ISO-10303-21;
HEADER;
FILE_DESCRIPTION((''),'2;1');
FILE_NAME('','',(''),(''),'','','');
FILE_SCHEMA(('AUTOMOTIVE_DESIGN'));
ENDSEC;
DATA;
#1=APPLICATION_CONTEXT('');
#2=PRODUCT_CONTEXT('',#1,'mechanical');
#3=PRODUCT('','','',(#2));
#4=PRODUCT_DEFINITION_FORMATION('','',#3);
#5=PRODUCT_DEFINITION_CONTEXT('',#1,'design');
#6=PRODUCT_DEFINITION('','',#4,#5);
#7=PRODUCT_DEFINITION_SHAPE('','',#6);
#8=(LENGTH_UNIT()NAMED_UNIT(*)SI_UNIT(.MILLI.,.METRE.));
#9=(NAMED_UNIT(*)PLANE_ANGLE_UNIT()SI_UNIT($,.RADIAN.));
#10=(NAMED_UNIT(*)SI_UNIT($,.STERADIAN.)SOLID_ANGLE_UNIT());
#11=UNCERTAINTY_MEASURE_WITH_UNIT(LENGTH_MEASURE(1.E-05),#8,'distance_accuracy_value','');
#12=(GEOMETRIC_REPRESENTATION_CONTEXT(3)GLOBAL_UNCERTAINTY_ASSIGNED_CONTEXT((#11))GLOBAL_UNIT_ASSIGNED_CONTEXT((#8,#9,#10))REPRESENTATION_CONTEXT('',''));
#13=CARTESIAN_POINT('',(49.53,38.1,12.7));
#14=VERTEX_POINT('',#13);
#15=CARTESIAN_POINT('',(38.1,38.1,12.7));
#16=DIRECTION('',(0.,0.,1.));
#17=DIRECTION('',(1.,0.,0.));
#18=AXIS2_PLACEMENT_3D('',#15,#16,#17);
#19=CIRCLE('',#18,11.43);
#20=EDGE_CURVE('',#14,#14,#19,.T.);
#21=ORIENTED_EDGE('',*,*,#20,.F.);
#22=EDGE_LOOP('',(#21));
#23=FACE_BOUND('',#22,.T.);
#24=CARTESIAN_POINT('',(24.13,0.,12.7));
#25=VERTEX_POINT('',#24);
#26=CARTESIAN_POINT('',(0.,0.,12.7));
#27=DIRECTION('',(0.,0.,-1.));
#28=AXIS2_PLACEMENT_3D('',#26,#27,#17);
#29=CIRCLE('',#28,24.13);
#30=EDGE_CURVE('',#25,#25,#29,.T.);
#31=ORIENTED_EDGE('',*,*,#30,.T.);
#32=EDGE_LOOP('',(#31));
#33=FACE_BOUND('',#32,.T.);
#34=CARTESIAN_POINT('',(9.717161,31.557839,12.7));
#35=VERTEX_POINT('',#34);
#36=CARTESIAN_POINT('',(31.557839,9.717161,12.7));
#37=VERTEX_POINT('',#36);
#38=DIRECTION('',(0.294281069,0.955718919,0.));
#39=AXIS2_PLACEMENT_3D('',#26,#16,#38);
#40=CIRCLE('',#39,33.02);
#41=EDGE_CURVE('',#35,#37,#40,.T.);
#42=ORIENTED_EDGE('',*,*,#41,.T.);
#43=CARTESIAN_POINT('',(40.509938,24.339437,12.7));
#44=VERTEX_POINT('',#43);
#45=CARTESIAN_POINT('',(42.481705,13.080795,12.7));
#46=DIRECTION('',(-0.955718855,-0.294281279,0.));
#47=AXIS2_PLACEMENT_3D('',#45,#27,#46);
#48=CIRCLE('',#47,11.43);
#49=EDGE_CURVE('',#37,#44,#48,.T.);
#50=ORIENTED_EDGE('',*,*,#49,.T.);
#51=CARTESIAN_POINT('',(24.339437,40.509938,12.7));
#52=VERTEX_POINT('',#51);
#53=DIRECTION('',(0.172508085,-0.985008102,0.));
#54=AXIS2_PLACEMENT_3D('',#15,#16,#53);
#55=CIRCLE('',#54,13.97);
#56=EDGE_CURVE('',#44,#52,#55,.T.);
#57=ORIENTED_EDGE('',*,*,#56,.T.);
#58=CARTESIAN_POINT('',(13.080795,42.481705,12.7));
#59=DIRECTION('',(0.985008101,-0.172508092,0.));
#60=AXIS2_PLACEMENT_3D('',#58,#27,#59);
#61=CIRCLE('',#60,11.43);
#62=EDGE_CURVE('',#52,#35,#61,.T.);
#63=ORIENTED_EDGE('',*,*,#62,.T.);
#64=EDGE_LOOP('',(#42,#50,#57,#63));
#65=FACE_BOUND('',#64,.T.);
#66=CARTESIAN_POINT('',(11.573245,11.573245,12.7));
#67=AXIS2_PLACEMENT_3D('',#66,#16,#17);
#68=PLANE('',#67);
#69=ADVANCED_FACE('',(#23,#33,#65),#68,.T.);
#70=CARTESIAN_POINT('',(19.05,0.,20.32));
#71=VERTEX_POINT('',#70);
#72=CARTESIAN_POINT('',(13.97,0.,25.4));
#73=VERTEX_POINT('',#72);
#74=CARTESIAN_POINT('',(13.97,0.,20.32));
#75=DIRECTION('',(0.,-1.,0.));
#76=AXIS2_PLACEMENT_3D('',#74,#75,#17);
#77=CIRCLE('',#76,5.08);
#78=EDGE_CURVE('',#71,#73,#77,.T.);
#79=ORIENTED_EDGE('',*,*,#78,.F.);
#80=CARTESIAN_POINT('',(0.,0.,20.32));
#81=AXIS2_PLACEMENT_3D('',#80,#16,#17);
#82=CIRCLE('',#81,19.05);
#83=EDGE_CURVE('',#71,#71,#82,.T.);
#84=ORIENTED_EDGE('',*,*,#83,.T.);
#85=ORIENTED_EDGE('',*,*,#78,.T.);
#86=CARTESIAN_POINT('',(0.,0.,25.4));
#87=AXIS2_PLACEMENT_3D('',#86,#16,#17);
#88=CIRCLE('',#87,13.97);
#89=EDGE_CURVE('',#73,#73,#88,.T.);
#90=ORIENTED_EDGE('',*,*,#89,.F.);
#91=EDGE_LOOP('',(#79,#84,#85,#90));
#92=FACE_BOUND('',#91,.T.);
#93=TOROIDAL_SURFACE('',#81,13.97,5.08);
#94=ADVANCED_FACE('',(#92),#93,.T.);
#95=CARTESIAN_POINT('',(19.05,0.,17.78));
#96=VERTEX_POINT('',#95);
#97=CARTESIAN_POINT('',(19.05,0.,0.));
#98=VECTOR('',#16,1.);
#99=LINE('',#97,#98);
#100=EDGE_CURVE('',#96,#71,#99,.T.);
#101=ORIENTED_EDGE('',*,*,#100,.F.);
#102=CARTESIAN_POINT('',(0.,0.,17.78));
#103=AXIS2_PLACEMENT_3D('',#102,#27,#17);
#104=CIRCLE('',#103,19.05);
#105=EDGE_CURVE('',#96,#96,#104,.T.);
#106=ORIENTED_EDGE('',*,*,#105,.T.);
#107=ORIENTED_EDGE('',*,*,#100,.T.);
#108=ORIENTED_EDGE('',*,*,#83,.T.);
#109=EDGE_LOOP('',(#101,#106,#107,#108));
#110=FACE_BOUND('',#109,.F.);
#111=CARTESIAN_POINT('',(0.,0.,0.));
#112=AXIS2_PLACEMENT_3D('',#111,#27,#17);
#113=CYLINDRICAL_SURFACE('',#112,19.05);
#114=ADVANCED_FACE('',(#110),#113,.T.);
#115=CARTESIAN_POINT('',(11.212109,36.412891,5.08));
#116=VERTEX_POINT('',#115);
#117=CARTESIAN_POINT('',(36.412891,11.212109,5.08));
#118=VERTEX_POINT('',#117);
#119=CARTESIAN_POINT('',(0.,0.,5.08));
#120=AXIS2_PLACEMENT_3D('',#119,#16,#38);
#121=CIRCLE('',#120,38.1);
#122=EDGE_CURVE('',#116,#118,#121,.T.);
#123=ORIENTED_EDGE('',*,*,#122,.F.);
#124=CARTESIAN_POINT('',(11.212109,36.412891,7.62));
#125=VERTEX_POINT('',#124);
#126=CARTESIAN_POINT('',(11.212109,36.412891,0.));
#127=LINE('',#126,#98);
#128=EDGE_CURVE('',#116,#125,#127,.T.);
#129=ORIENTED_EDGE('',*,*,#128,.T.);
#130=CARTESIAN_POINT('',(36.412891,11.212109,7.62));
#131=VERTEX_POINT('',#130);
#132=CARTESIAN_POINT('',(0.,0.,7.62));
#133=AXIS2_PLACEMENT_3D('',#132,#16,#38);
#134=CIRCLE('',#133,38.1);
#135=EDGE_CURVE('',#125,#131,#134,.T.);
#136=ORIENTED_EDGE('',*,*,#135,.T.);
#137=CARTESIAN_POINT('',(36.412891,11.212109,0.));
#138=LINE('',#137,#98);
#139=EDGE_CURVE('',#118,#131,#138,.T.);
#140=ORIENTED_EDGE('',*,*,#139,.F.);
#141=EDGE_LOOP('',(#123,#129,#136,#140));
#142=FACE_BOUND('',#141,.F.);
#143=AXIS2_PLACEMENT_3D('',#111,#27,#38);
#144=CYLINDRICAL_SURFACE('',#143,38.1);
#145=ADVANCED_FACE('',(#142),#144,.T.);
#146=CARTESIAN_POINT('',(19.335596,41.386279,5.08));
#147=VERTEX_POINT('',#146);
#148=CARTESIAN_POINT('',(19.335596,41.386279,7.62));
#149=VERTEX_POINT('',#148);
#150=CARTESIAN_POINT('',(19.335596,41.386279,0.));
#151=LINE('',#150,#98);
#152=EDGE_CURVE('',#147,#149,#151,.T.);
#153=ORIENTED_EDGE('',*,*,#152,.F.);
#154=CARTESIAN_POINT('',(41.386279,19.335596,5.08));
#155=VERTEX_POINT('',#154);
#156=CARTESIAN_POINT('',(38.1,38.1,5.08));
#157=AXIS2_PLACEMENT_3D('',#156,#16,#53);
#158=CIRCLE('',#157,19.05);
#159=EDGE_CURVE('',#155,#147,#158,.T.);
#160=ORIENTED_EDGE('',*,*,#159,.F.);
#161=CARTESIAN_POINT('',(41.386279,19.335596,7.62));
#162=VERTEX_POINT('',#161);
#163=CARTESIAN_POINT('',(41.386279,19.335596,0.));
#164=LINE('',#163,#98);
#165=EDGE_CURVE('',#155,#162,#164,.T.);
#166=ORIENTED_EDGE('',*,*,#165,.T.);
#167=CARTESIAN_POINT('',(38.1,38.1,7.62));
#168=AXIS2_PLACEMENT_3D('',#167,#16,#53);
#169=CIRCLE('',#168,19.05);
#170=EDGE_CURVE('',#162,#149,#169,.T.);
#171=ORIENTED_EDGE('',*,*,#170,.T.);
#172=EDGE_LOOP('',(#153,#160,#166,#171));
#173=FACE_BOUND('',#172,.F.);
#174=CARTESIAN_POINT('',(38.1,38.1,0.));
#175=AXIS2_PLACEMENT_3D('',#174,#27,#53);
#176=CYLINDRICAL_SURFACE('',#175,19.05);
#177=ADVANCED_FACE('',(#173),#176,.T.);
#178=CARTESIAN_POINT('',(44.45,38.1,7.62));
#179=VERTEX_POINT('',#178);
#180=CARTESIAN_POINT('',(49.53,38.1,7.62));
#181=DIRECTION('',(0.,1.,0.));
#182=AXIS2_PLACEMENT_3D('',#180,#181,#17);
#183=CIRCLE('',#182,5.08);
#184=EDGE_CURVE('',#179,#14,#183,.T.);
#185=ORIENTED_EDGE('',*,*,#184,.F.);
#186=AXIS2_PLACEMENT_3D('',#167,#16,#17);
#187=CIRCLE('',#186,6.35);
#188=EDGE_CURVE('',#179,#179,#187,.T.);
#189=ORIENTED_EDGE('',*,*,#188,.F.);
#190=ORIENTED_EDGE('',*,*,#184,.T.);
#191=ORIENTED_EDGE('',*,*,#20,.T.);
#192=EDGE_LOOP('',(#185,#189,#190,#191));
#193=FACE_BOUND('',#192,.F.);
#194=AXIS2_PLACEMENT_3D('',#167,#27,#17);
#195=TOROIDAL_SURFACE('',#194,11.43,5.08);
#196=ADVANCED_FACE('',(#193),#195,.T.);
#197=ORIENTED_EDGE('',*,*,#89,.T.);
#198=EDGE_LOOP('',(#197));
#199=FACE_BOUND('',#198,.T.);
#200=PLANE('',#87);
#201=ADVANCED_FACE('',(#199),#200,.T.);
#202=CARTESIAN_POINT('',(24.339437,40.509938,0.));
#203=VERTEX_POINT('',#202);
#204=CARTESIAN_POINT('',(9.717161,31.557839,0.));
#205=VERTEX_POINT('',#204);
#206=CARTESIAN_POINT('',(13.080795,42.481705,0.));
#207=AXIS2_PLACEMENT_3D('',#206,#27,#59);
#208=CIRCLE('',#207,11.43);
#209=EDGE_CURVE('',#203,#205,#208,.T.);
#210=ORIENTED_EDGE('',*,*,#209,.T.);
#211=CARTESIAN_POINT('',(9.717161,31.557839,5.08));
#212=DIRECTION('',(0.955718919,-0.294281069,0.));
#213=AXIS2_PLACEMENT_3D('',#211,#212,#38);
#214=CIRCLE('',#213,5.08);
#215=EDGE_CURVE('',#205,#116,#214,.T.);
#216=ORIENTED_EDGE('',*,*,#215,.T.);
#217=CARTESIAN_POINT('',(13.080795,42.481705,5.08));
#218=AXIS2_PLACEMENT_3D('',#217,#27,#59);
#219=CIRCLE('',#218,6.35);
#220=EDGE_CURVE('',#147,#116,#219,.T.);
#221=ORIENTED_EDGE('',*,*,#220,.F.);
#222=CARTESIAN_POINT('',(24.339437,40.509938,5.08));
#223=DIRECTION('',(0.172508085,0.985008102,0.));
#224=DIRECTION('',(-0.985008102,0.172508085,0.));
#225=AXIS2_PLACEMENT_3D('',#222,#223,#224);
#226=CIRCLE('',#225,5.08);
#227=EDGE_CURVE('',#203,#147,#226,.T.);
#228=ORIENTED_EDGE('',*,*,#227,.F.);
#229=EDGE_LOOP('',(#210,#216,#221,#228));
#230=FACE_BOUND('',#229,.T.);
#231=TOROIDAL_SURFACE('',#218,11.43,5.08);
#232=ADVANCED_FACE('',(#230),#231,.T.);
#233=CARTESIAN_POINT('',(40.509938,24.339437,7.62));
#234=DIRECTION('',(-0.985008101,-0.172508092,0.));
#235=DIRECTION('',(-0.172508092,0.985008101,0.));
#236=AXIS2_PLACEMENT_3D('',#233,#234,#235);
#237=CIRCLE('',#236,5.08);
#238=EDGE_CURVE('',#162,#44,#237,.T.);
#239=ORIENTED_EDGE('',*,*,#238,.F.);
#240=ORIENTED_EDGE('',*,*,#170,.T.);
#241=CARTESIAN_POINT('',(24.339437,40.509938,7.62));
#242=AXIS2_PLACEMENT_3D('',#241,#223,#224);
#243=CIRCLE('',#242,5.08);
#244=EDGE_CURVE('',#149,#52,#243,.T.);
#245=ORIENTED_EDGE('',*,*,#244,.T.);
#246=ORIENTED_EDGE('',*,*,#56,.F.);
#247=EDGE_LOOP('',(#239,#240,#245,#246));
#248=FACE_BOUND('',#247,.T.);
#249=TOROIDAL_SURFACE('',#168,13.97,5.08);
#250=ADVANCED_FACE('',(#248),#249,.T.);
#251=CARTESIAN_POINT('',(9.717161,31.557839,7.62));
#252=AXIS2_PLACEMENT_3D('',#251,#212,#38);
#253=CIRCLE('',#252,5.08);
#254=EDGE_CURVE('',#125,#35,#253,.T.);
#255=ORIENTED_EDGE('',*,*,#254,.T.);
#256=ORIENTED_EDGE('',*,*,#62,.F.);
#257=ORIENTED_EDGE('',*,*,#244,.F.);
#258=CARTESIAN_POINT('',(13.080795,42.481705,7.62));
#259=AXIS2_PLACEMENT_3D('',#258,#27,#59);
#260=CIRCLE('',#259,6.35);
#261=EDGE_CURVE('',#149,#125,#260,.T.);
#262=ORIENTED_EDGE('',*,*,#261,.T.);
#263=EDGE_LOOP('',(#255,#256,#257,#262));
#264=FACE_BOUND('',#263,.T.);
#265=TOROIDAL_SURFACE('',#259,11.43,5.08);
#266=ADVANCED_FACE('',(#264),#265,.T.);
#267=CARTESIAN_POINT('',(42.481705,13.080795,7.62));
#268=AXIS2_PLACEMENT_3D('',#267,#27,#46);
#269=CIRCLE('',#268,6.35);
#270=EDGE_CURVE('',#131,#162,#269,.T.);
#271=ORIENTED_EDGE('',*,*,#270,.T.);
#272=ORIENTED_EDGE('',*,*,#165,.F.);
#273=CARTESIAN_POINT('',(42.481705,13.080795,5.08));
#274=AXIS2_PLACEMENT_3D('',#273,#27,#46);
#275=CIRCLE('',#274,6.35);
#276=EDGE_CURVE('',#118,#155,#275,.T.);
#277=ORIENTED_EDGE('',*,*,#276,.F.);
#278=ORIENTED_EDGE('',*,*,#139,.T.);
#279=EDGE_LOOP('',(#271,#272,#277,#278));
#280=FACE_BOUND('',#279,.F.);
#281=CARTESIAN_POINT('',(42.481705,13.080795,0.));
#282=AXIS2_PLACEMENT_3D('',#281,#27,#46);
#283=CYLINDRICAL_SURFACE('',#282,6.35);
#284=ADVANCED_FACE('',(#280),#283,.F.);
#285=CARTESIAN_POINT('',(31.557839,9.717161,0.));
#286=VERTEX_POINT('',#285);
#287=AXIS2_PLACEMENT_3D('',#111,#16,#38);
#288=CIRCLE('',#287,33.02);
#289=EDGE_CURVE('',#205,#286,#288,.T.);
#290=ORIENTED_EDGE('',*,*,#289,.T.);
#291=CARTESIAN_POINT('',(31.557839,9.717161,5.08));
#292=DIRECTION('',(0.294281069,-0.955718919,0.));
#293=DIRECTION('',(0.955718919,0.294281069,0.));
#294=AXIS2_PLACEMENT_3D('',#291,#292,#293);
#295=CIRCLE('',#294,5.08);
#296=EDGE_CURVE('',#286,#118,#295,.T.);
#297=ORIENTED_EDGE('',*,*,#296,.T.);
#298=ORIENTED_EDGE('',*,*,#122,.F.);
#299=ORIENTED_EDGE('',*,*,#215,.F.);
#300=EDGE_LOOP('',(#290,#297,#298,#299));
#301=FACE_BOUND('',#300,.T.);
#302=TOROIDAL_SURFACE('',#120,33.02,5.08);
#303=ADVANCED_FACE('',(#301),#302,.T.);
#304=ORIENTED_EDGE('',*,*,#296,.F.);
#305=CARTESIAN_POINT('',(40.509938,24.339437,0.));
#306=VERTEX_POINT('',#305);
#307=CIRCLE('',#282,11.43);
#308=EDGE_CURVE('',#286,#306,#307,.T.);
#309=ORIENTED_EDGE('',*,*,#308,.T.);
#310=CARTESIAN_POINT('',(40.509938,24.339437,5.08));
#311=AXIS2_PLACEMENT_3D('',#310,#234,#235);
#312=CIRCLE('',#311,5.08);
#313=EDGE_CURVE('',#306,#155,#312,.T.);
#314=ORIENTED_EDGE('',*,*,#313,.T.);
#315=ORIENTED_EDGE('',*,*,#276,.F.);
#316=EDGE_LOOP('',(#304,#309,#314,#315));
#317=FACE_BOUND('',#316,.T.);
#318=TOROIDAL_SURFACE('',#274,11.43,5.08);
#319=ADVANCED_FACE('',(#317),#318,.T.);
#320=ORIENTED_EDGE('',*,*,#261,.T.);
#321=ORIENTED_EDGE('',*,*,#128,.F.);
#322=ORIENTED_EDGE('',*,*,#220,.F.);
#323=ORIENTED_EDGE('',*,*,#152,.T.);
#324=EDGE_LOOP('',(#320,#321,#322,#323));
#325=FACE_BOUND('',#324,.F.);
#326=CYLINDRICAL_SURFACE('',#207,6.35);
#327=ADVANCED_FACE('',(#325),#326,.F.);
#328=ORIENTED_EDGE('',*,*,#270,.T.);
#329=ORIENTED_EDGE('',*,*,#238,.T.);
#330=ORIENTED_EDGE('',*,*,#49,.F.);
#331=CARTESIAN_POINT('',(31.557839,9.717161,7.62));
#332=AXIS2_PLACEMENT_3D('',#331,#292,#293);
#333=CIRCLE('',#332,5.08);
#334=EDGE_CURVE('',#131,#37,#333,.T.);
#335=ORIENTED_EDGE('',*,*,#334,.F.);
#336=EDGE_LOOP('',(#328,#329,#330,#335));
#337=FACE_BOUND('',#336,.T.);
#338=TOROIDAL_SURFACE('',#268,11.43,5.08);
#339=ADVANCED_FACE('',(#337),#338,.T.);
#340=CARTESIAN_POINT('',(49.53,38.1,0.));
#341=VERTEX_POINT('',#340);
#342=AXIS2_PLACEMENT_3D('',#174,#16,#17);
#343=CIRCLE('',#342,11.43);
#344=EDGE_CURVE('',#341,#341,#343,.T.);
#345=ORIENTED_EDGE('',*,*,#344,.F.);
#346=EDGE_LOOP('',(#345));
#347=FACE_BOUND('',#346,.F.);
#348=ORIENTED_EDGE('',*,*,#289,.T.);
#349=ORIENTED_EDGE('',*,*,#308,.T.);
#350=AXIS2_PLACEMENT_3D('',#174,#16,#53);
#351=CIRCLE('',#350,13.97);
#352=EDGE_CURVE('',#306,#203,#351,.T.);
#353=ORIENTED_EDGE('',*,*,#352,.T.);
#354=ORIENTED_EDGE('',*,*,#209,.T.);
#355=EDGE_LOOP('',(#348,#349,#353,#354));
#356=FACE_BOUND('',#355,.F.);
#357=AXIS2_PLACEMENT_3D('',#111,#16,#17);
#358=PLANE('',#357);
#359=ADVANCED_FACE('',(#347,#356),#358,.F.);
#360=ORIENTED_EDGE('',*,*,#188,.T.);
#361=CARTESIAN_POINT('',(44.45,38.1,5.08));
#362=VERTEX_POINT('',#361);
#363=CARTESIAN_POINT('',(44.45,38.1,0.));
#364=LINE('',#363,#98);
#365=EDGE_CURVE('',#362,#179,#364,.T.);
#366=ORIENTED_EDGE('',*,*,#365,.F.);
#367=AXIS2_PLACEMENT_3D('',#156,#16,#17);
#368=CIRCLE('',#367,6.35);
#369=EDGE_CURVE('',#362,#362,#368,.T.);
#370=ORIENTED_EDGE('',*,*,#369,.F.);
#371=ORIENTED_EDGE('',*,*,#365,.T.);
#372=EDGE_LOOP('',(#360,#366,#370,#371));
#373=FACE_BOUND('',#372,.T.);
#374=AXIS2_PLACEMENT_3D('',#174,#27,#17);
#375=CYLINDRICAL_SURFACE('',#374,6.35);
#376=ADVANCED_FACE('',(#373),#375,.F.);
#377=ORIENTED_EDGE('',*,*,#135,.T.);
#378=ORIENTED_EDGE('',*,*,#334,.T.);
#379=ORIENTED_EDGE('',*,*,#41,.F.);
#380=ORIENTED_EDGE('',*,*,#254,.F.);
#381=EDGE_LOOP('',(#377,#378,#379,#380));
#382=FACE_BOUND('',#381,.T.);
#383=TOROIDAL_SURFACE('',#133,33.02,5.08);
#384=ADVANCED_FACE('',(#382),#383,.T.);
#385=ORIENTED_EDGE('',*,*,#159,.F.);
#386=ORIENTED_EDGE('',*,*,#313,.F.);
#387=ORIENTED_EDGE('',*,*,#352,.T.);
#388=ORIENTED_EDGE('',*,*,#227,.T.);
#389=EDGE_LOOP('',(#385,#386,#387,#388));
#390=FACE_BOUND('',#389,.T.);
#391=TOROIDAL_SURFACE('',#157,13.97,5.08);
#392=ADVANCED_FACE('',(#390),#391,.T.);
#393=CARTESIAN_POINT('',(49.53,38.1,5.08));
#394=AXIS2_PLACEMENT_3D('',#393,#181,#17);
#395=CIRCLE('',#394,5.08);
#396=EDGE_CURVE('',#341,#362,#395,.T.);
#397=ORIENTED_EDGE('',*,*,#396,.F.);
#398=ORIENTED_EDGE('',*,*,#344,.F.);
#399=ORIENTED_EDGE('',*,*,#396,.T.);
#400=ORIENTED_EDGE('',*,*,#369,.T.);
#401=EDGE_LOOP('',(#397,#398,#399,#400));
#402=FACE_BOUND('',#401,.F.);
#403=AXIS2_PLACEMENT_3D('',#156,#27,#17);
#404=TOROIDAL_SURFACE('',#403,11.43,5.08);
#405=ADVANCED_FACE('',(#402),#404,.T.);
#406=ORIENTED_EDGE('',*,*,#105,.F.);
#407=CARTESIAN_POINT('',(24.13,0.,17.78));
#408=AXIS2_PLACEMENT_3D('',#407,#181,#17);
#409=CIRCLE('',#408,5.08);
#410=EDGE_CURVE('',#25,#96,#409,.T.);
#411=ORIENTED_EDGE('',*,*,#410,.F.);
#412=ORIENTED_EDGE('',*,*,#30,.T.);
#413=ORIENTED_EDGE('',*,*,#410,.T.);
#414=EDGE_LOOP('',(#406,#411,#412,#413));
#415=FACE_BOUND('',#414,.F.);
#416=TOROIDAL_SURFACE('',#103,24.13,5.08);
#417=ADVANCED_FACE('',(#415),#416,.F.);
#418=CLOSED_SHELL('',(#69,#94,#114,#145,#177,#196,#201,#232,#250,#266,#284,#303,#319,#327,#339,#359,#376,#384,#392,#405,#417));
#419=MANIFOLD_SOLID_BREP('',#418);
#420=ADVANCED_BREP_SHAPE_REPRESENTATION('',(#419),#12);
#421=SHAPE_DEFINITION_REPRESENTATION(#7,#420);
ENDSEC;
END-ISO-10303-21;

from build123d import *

# Parameters (mm, degrees)
F0_R     = 6.35
F2_DEPTH = 12.7
F1_R     = 19.05
F3_DEPTH = 25.4
F4_R     = 5.08


with BuildPart() as f2:
    # F0 (on Top) → F2 (new body)
    with BuildSketch(Plane.XY):
        with BuildLine():
            ThreePointArc((19.335596, 41.386279), (16.396387, 37.066048), (11.212109, 36.412891))
            ThreePointArc((11.212109, 36.412891), (-26.940768, -26.940768), (36.412891, 11.212109))
            ThreePointArc((36.412891, 11.212109), (37.066048, 16.396387), (41.386279, 19.335596))
            ThreePointArc((41.386279, 19.335596), (51.570384, 51.570384), (19.335596, 41.386279))
        make_face()
        with Locations((38.1, 38.1)):
            Circle(F0_R, mode=Mode.SUBTRACT)
    extrude(amount=F2_DEPTH)

    # F1 (on Top) → F3 (join)
    with BuildSketch(Plane.XY):
        Circle(F1_R)
    extrude(amount=F3_DEPTH)

    # F4
    f4_edges = [f2.edges().sort_by_distance(p)[0] for p in [
        (-19.05, 0, 25.4),
        (-26.940768, -26.940768, 12.7),
        (-26.940768, -26.940768, 0),
        (-19.05, 0, 12.7),
        (31.75, 38.1, 12.7),
        (31.75, 38.1, 0),
    ]]
    fillet(f4_edges, radius=F4_R)


solid = f2.part
